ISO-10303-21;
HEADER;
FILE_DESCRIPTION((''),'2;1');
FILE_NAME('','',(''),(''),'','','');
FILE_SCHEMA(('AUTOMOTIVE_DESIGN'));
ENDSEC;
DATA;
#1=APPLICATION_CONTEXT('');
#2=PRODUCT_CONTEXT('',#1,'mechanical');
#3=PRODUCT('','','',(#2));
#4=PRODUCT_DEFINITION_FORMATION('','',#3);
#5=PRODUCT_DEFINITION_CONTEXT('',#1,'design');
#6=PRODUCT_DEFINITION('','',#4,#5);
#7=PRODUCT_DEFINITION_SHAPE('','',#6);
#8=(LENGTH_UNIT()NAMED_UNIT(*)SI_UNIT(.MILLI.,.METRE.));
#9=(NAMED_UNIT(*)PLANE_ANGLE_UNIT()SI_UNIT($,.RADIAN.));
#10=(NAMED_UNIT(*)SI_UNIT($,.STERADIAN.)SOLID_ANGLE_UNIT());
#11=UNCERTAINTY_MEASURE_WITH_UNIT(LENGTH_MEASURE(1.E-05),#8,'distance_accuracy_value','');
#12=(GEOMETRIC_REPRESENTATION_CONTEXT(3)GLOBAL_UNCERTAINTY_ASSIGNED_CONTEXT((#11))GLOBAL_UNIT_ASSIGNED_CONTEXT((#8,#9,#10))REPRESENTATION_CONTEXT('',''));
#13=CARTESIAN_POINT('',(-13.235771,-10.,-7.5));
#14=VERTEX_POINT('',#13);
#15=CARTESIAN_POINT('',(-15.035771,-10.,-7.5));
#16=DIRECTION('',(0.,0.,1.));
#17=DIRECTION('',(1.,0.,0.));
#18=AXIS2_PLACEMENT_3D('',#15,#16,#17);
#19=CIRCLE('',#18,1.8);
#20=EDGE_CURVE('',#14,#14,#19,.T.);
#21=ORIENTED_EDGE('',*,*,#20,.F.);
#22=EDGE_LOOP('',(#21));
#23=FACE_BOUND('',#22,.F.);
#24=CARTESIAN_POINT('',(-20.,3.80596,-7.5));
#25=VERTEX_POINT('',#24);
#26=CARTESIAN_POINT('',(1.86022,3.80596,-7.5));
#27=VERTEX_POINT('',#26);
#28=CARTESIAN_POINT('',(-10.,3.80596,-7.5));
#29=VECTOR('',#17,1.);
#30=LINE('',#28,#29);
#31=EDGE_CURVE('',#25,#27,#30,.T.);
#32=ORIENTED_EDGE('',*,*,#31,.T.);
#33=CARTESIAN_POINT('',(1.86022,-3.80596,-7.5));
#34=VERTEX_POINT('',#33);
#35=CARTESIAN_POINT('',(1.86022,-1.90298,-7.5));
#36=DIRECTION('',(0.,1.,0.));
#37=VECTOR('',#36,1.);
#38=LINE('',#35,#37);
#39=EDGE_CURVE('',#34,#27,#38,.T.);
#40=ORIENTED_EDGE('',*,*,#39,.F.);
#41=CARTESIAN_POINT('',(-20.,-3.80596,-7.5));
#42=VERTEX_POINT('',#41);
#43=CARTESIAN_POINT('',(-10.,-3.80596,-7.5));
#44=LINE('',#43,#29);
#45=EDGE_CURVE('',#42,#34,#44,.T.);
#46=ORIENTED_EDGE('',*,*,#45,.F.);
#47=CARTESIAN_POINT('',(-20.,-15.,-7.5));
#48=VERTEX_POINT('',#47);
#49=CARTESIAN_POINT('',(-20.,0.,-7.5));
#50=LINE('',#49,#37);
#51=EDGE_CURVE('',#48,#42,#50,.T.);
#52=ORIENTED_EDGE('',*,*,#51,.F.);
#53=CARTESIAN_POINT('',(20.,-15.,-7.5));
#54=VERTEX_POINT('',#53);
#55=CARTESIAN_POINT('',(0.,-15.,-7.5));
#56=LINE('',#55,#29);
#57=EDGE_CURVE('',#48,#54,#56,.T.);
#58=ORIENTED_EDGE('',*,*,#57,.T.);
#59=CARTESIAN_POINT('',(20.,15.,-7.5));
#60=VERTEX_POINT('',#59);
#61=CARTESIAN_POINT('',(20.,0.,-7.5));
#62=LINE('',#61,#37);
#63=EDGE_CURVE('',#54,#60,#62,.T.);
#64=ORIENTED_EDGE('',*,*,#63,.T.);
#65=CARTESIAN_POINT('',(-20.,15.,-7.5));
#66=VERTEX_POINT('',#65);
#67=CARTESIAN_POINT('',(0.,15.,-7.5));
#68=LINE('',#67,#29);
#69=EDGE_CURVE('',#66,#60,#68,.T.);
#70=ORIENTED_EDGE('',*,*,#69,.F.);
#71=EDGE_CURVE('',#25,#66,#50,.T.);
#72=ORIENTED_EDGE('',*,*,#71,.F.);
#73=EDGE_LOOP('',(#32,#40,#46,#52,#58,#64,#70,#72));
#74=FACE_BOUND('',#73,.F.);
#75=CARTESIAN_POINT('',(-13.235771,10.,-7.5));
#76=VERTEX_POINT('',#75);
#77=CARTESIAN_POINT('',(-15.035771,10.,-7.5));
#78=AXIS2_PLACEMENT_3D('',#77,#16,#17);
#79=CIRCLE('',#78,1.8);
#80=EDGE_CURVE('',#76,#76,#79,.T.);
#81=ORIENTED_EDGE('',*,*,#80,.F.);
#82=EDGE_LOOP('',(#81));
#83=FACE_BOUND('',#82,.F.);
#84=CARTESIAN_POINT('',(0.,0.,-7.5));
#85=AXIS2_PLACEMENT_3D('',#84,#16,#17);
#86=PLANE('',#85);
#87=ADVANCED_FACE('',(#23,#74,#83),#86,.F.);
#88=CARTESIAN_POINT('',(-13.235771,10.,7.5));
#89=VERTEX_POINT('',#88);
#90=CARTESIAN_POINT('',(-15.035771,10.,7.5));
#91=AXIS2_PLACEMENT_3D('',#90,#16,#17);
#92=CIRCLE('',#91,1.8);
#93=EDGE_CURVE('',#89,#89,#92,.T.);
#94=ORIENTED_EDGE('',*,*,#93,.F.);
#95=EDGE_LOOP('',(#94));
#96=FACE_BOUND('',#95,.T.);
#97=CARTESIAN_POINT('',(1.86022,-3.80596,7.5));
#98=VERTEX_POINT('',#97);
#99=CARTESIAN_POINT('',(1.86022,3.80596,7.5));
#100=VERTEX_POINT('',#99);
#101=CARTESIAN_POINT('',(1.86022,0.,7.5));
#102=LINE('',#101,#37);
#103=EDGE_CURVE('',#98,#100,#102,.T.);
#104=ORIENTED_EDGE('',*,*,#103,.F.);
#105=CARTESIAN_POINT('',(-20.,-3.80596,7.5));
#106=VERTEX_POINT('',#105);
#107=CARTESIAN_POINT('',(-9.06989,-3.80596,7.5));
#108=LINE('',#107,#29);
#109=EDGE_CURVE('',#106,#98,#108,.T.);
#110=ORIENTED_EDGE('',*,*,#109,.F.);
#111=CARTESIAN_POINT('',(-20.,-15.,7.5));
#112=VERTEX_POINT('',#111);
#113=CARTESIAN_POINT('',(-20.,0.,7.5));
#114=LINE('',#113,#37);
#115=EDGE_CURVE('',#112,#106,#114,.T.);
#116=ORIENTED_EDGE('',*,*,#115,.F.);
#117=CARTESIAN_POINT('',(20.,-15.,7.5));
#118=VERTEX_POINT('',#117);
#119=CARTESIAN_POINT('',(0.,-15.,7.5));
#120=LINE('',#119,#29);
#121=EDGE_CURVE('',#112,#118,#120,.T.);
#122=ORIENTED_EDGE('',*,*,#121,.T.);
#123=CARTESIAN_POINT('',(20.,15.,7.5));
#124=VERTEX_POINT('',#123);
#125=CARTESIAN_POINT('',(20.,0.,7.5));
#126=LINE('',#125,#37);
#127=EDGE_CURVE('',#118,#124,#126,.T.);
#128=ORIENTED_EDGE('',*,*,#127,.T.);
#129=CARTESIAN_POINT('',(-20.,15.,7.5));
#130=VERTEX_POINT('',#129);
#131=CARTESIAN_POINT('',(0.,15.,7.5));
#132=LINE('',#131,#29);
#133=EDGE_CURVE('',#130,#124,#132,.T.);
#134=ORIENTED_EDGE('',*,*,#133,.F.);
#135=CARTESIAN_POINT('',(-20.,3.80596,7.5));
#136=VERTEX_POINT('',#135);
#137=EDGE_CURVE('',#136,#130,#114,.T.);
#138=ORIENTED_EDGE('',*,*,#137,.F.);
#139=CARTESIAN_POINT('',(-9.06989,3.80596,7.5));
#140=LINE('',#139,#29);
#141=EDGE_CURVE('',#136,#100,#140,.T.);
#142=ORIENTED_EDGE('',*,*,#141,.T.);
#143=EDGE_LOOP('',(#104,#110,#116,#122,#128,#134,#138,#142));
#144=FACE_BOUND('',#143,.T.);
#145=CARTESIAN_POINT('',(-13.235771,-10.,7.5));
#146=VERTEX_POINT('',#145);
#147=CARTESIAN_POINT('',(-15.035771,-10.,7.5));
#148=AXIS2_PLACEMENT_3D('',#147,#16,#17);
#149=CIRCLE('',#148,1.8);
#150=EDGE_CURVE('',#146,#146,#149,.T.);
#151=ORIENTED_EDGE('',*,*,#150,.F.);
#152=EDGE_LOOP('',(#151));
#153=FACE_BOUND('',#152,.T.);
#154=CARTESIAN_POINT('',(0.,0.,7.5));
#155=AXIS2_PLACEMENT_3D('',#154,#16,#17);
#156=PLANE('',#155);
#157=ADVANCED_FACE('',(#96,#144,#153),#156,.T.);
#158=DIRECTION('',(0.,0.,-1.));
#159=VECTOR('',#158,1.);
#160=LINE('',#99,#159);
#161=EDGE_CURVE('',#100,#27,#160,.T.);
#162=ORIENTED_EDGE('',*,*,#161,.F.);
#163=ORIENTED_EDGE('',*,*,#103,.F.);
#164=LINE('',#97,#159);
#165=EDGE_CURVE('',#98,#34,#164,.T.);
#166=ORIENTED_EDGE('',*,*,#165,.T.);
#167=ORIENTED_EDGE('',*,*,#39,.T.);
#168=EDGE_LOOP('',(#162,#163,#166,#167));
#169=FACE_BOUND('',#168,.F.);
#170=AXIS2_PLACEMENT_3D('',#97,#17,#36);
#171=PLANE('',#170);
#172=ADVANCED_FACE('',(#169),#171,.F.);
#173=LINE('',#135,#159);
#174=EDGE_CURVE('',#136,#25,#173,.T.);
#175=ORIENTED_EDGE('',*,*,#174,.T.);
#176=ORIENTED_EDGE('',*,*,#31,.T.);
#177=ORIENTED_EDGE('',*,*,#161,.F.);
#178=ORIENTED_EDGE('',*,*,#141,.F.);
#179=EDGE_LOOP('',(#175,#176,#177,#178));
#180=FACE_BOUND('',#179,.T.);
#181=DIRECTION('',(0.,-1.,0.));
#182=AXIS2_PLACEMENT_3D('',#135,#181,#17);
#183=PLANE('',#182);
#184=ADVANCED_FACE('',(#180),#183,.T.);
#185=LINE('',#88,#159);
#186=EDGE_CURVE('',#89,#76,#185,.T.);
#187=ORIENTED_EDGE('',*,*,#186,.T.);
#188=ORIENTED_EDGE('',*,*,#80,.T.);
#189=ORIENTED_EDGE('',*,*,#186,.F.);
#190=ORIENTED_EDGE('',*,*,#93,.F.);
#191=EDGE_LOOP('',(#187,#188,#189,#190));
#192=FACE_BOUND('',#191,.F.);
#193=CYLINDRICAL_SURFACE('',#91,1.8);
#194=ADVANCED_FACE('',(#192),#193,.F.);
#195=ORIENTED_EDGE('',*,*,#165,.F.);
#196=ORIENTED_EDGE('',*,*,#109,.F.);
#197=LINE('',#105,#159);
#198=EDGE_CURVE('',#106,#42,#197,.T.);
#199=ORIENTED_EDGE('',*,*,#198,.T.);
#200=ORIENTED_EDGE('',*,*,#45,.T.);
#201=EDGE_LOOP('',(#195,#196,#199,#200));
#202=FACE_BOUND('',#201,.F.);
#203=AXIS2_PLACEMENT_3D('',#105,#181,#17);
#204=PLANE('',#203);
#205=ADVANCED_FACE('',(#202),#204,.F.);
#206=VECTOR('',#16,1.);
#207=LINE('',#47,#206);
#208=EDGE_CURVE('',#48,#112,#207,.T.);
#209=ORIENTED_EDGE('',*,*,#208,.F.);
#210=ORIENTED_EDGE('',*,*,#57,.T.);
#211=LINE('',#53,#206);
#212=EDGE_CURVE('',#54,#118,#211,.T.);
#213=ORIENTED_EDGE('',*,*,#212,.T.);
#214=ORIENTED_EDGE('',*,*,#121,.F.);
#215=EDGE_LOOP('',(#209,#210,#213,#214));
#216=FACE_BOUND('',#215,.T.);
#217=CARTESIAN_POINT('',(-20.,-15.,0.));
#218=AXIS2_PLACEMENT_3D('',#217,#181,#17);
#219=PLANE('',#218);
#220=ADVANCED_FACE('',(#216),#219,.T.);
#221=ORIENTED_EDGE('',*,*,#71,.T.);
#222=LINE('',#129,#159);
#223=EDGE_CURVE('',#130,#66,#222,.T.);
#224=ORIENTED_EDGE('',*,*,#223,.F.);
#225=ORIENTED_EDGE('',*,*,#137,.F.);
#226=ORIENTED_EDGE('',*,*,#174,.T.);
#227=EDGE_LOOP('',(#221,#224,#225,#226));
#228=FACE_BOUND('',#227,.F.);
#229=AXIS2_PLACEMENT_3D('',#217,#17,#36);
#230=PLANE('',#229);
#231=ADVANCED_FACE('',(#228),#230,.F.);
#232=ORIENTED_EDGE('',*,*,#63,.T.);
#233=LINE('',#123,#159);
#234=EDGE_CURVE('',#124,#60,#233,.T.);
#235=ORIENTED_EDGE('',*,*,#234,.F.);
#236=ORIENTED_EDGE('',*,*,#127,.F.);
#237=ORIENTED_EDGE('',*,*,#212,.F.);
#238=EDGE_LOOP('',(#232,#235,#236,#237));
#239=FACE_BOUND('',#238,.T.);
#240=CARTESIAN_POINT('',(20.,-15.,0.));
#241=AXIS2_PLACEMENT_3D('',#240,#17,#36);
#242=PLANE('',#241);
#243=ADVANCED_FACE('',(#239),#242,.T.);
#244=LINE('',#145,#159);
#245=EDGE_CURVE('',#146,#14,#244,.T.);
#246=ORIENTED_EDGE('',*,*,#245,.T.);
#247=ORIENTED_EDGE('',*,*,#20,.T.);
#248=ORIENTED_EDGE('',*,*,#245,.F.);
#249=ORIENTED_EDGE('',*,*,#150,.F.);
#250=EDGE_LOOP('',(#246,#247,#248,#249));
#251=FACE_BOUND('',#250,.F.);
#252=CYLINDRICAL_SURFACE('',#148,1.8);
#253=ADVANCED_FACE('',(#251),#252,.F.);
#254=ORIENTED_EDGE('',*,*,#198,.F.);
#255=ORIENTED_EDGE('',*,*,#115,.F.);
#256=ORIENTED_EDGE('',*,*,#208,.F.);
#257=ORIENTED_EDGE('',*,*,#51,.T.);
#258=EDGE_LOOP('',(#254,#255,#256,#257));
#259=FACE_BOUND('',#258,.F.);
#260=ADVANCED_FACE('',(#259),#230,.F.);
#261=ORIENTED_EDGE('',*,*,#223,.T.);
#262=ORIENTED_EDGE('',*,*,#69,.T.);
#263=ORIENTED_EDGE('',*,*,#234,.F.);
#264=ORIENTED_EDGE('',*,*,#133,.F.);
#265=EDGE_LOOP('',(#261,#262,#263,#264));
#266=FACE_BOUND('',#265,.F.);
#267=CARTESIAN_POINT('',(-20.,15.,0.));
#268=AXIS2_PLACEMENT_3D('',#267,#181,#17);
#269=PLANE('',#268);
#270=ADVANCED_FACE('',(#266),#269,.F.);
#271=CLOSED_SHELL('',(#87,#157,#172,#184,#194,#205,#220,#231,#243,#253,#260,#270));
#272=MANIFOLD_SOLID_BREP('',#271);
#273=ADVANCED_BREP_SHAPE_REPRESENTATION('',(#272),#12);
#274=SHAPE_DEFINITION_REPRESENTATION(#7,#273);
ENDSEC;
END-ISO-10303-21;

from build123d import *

# Parameters (mm, degrees)
F0_W     = 40
F0_H     = 30
F1_DEPTH = 7.5
F2_W     = 21.86022
F2_H     = 7.61192
F3_DEPTH = 25
F4_R     = 1.8
F5_DEPTH = 20


with BuildPart() as f1:
    # F0 (on Top) → F1 (new body, symmetric)
    with BuildSketch(Plane.XY):
        Rectangle(F0_W, F0_H)
    extrude(amount=F1_DEPTH, both=True)

    # F2 (on face) → F3 (cut)
    with BuildSketch(Plane.XY.offset(7.5)):
        with Locations((-9.06989, 0)):
            Rectangle(F2_W, F2_H)
    extrude(amount=-F3_DEPTH, mode=Mode.SUBTRACT)

    # F4 (on face) → F5 (cut)
    with BuildSketch(Plane.XY.offset(7.5)):
        with Locations((-15.035771, -10)):
            Circle(F4_R)
        with Locations((-15.035771, 10)):
            Circle(F4_R)
    extrude(amount=-F5_DEPTH, mode=Mode.SUBTRACT)


solid = f1.part
